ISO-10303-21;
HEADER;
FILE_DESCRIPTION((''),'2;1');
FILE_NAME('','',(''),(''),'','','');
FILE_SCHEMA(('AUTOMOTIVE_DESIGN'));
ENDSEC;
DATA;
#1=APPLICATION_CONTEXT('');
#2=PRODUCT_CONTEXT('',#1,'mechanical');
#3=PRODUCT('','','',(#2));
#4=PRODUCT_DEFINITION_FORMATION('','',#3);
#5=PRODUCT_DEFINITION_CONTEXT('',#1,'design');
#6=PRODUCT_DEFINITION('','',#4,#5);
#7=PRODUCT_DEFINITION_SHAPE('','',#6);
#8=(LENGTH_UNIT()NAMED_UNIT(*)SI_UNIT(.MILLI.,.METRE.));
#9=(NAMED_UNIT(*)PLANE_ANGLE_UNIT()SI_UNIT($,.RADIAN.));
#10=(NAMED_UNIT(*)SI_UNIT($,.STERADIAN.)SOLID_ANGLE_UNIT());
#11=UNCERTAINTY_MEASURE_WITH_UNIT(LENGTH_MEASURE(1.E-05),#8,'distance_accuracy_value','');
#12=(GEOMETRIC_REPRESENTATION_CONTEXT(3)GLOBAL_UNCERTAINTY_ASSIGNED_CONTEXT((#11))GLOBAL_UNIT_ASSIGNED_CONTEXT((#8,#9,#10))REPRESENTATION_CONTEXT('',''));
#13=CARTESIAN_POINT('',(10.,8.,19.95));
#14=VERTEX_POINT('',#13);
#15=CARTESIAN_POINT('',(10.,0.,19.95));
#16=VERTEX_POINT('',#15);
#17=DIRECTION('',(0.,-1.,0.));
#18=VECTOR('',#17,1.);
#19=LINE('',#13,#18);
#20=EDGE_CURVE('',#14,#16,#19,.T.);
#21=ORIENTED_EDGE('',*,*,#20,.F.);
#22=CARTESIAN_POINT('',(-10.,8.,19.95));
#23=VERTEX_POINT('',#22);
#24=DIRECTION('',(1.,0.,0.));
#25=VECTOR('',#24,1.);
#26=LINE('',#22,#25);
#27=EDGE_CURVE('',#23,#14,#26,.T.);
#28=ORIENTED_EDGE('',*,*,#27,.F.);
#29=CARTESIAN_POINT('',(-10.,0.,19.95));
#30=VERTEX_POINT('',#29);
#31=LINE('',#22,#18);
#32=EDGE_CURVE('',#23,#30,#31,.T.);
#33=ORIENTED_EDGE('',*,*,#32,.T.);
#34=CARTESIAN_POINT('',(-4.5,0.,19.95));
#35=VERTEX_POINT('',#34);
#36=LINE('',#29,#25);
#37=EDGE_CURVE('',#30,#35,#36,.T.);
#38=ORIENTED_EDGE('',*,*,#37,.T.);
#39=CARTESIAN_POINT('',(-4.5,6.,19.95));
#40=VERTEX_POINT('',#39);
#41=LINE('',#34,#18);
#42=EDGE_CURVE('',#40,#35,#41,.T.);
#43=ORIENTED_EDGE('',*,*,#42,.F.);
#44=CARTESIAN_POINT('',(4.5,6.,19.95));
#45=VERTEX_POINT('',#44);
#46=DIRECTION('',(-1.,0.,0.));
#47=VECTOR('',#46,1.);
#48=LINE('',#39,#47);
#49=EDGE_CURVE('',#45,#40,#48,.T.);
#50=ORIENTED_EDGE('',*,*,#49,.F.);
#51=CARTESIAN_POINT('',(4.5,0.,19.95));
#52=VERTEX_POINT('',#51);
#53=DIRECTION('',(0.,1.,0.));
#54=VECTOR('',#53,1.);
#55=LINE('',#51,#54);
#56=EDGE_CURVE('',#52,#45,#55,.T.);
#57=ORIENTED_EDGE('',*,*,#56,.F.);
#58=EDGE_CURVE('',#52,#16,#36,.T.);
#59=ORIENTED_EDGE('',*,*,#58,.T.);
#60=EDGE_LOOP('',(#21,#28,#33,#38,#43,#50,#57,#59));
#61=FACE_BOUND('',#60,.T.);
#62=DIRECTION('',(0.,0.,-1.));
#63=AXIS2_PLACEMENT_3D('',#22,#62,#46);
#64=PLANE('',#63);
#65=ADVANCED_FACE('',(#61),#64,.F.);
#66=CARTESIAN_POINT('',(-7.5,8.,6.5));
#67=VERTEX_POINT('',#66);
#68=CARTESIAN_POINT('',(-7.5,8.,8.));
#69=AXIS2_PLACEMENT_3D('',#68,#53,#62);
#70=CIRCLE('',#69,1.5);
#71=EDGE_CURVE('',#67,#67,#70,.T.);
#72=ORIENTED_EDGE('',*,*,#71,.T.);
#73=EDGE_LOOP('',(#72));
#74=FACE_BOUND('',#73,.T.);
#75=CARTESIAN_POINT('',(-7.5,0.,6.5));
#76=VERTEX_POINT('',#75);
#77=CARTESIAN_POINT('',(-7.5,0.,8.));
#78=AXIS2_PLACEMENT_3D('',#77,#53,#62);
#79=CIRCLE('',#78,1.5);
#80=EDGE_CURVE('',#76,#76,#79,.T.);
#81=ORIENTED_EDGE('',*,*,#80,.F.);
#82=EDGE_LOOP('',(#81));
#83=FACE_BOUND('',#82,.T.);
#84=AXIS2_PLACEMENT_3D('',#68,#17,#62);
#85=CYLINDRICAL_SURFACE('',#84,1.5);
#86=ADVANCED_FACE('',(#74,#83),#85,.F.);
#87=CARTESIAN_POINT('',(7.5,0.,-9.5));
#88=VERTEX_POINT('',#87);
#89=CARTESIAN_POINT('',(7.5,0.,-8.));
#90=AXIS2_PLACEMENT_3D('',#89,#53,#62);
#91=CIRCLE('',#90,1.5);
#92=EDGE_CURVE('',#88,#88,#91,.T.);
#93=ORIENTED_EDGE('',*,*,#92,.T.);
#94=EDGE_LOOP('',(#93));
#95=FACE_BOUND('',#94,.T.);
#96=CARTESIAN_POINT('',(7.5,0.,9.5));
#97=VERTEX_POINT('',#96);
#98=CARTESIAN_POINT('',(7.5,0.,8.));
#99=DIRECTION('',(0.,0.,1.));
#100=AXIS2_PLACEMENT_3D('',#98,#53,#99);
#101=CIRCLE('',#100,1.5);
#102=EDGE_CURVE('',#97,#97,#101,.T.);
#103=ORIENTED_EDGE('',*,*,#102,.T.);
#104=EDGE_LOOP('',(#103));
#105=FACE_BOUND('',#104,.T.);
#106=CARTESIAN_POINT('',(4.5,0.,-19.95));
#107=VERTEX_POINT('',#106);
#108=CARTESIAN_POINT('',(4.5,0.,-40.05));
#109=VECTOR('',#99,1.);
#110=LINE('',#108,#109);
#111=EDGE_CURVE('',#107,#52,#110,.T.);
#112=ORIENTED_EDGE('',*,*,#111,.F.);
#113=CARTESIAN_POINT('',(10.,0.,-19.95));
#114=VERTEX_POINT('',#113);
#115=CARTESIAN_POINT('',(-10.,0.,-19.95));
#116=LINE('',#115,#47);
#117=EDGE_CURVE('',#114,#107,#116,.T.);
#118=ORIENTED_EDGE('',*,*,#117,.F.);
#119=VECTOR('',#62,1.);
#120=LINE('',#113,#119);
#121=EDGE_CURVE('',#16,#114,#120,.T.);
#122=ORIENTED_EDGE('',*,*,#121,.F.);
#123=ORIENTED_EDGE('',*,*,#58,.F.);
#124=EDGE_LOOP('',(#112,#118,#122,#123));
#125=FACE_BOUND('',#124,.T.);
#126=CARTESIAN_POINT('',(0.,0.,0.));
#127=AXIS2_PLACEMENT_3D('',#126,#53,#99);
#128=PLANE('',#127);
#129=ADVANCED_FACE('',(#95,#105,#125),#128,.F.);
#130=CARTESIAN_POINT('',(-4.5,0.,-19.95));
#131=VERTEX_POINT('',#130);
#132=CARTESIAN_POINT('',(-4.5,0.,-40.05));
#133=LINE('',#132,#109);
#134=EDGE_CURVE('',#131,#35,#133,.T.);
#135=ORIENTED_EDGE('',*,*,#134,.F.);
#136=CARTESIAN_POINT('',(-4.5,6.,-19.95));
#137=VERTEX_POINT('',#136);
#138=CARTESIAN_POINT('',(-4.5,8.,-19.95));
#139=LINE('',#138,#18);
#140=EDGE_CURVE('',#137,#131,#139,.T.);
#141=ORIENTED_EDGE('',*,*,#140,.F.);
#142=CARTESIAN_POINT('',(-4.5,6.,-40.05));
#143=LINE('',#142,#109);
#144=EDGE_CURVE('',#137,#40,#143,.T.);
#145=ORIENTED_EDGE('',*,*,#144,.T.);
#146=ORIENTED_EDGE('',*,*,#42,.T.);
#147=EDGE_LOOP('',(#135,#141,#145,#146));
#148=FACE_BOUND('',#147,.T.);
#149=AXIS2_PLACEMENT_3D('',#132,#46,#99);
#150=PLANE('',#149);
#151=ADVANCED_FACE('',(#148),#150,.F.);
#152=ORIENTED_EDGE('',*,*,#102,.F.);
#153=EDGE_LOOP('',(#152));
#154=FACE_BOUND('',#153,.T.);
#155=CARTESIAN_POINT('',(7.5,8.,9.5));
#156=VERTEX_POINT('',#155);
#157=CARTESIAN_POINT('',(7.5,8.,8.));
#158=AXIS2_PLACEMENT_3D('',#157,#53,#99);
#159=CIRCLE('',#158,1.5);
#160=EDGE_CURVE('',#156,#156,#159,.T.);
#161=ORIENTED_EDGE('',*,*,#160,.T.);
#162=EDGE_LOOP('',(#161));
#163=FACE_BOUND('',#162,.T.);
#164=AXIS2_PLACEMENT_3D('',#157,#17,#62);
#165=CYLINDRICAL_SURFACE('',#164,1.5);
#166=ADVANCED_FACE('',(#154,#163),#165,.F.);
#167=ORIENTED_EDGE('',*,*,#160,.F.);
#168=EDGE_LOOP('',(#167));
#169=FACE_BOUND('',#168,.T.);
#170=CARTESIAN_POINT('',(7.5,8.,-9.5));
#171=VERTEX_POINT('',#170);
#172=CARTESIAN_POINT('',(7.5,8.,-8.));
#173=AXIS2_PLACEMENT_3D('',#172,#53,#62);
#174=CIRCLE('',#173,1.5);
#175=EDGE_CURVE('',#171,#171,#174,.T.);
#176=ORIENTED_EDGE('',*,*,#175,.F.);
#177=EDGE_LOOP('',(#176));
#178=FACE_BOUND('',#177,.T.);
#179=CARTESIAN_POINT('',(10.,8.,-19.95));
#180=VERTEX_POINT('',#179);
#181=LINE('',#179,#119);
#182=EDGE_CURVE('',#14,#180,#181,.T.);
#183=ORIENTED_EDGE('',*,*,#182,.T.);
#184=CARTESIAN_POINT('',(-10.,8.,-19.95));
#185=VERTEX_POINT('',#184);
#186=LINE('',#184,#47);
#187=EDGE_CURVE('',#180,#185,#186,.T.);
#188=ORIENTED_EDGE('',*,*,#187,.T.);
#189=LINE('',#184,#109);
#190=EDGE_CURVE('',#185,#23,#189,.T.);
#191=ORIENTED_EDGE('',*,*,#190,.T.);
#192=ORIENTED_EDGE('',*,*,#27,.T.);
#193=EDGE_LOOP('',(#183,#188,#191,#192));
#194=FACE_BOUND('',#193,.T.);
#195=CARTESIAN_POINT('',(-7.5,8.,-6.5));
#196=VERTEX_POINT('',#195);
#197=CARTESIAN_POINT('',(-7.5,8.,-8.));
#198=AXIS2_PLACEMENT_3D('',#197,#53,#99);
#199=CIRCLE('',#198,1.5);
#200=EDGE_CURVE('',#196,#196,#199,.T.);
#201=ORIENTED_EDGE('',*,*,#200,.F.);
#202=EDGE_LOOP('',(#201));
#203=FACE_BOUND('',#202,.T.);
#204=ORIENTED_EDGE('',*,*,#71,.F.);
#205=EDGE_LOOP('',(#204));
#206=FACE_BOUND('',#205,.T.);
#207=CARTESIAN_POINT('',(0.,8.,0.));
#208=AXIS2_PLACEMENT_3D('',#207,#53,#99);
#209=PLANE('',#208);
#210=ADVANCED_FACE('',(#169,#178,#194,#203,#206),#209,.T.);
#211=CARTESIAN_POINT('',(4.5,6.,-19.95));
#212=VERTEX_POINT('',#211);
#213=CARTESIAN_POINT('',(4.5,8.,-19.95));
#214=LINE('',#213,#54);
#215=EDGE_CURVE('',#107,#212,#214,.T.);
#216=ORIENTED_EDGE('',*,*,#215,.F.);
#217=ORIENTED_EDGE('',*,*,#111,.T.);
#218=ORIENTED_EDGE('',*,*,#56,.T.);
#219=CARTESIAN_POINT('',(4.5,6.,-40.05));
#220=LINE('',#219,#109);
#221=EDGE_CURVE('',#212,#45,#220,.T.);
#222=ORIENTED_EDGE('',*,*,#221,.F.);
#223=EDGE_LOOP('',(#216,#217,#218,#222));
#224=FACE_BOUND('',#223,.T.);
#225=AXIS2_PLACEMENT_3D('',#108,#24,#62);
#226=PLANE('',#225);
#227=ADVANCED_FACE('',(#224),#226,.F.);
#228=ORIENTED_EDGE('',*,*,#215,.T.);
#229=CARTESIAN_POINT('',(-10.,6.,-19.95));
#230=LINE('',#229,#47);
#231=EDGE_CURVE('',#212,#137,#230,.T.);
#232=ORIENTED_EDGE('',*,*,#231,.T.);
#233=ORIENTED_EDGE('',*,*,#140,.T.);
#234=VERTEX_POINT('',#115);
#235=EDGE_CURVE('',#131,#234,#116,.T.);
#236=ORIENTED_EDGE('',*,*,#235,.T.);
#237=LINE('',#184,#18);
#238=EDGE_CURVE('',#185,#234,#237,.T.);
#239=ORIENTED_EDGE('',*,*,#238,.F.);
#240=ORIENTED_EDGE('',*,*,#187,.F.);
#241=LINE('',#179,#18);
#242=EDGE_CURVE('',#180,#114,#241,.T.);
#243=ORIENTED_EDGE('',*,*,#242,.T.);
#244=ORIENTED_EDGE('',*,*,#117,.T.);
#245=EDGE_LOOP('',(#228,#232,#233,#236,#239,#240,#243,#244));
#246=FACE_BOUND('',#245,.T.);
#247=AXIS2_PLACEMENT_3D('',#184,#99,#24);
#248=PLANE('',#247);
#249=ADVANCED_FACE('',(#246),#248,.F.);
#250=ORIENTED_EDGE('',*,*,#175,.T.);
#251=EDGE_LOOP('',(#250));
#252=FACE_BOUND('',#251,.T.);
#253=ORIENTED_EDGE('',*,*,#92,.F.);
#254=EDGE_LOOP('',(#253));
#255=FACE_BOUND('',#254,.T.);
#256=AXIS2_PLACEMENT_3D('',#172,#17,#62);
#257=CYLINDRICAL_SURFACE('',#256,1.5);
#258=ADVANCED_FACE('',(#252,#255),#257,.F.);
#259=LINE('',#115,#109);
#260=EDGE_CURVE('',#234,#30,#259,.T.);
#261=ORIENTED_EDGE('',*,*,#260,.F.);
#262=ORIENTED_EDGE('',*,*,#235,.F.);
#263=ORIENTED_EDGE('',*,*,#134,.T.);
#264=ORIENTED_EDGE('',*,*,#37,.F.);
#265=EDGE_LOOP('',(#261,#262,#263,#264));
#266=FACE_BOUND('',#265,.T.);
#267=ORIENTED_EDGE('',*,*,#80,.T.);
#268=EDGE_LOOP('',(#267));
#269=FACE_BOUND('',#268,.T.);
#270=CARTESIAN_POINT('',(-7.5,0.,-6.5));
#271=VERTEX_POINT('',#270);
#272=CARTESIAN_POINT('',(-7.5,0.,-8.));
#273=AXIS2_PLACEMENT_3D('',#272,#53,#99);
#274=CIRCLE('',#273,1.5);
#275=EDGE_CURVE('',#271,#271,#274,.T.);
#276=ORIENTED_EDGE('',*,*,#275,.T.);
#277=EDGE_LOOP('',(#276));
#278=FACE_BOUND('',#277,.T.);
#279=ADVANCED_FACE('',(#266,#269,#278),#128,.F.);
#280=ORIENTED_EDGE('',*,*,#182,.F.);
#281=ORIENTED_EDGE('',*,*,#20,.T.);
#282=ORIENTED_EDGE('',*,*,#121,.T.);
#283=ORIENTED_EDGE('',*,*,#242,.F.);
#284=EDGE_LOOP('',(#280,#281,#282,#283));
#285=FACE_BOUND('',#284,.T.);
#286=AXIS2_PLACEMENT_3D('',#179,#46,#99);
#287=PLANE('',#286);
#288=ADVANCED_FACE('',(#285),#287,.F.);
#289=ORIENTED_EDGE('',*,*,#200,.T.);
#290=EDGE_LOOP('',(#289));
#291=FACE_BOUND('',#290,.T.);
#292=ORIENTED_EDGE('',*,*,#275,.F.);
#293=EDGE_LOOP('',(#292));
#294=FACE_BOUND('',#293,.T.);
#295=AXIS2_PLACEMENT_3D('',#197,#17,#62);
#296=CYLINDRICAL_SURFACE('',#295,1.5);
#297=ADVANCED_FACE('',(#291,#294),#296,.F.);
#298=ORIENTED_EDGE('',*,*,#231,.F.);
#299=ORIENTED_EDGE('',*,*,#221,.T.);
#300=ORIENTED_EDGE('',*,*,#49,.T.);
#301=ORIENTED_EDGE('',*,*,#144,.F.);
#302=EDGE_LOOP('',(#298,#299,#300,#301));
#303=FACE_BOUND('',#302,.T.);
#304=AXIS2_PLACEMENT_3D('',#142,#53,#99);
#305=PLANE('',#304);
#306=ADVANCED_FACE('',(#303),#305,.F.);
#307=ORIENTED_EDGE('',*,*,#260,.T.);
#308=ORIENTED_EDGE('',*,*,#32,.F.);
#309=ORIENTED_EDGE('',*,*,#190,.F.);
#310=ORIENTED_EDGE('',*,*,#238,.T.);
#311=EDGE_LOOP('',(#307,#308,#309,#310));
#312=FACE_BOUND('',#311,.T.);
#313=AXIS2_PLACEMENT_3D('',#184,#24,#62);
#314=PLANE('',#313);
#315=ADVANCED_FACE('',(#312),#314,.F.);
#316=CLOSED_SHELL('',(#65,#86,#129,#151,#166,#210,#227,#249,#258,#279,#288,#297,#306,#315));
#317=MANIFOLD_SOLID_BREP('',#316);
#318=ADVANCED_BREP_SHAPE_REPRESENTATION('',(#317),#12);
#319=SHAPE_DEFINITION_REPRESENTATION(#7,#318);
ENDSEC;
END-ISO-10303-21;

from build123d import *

# Parameters (mm, degrees)
SKETCH_1_W          = 20
SKETCH_1_H          = 39.9
SKETCH_1_R          = 1.5
EXTRUDE_1_DEPTH     = 8
SKETCH_2_W          = 9
SKETCH_2_H          = 6
CUT_EXTRUDE_1_DEPTH = 60


with BuildPart() as part:
    # 草图1 → 凸台-拉伸1 (new body)
    with BuildSketch(Plane(origin=(0, 0, 0), x_dir=(1, 0, 0), z_dir=(0, 1, 0))):
        Rectangle(SKETCH_1_W, SKETCH_1_H)
        with Locations(Location((-7.5, 8, 0), (0, 0, 270))):
            Circle(SKETCH_1_R, mode=Mode.SUBTRACT)
        with Locations(Location((-7.5, -8, 0), (0, 0, 90))):
            Circle(SKETCH_1_R, mode=Mode.SUBTRACT)
        with Locations(Location((7.5, -8, 0), (0, 0, 270))):
            Circle(SKETCH_1_R, mode=Mode.SUBTRACT)
        with Locations(Location((7.5, 8, 0), (0, 0, 90))):
            Circle(SKETCH_1_R, mode=Mode.SUBTRACT)
    extrude(amount=EXTRUDE_1_DEPTH)

    # 草图2 → 切除-拉伸1 (cut)
    with BuildSketch(Plane.XY.offset(19.95)):
        with Locations((0, 3)):
            Rectangle(SKETCH_2_W, SKETCH_2_H)
    extrude(amount=-CUT_EXTRUDE_1_DEPTH, mode=Mode.SUBTRACT)


solid = part.part
